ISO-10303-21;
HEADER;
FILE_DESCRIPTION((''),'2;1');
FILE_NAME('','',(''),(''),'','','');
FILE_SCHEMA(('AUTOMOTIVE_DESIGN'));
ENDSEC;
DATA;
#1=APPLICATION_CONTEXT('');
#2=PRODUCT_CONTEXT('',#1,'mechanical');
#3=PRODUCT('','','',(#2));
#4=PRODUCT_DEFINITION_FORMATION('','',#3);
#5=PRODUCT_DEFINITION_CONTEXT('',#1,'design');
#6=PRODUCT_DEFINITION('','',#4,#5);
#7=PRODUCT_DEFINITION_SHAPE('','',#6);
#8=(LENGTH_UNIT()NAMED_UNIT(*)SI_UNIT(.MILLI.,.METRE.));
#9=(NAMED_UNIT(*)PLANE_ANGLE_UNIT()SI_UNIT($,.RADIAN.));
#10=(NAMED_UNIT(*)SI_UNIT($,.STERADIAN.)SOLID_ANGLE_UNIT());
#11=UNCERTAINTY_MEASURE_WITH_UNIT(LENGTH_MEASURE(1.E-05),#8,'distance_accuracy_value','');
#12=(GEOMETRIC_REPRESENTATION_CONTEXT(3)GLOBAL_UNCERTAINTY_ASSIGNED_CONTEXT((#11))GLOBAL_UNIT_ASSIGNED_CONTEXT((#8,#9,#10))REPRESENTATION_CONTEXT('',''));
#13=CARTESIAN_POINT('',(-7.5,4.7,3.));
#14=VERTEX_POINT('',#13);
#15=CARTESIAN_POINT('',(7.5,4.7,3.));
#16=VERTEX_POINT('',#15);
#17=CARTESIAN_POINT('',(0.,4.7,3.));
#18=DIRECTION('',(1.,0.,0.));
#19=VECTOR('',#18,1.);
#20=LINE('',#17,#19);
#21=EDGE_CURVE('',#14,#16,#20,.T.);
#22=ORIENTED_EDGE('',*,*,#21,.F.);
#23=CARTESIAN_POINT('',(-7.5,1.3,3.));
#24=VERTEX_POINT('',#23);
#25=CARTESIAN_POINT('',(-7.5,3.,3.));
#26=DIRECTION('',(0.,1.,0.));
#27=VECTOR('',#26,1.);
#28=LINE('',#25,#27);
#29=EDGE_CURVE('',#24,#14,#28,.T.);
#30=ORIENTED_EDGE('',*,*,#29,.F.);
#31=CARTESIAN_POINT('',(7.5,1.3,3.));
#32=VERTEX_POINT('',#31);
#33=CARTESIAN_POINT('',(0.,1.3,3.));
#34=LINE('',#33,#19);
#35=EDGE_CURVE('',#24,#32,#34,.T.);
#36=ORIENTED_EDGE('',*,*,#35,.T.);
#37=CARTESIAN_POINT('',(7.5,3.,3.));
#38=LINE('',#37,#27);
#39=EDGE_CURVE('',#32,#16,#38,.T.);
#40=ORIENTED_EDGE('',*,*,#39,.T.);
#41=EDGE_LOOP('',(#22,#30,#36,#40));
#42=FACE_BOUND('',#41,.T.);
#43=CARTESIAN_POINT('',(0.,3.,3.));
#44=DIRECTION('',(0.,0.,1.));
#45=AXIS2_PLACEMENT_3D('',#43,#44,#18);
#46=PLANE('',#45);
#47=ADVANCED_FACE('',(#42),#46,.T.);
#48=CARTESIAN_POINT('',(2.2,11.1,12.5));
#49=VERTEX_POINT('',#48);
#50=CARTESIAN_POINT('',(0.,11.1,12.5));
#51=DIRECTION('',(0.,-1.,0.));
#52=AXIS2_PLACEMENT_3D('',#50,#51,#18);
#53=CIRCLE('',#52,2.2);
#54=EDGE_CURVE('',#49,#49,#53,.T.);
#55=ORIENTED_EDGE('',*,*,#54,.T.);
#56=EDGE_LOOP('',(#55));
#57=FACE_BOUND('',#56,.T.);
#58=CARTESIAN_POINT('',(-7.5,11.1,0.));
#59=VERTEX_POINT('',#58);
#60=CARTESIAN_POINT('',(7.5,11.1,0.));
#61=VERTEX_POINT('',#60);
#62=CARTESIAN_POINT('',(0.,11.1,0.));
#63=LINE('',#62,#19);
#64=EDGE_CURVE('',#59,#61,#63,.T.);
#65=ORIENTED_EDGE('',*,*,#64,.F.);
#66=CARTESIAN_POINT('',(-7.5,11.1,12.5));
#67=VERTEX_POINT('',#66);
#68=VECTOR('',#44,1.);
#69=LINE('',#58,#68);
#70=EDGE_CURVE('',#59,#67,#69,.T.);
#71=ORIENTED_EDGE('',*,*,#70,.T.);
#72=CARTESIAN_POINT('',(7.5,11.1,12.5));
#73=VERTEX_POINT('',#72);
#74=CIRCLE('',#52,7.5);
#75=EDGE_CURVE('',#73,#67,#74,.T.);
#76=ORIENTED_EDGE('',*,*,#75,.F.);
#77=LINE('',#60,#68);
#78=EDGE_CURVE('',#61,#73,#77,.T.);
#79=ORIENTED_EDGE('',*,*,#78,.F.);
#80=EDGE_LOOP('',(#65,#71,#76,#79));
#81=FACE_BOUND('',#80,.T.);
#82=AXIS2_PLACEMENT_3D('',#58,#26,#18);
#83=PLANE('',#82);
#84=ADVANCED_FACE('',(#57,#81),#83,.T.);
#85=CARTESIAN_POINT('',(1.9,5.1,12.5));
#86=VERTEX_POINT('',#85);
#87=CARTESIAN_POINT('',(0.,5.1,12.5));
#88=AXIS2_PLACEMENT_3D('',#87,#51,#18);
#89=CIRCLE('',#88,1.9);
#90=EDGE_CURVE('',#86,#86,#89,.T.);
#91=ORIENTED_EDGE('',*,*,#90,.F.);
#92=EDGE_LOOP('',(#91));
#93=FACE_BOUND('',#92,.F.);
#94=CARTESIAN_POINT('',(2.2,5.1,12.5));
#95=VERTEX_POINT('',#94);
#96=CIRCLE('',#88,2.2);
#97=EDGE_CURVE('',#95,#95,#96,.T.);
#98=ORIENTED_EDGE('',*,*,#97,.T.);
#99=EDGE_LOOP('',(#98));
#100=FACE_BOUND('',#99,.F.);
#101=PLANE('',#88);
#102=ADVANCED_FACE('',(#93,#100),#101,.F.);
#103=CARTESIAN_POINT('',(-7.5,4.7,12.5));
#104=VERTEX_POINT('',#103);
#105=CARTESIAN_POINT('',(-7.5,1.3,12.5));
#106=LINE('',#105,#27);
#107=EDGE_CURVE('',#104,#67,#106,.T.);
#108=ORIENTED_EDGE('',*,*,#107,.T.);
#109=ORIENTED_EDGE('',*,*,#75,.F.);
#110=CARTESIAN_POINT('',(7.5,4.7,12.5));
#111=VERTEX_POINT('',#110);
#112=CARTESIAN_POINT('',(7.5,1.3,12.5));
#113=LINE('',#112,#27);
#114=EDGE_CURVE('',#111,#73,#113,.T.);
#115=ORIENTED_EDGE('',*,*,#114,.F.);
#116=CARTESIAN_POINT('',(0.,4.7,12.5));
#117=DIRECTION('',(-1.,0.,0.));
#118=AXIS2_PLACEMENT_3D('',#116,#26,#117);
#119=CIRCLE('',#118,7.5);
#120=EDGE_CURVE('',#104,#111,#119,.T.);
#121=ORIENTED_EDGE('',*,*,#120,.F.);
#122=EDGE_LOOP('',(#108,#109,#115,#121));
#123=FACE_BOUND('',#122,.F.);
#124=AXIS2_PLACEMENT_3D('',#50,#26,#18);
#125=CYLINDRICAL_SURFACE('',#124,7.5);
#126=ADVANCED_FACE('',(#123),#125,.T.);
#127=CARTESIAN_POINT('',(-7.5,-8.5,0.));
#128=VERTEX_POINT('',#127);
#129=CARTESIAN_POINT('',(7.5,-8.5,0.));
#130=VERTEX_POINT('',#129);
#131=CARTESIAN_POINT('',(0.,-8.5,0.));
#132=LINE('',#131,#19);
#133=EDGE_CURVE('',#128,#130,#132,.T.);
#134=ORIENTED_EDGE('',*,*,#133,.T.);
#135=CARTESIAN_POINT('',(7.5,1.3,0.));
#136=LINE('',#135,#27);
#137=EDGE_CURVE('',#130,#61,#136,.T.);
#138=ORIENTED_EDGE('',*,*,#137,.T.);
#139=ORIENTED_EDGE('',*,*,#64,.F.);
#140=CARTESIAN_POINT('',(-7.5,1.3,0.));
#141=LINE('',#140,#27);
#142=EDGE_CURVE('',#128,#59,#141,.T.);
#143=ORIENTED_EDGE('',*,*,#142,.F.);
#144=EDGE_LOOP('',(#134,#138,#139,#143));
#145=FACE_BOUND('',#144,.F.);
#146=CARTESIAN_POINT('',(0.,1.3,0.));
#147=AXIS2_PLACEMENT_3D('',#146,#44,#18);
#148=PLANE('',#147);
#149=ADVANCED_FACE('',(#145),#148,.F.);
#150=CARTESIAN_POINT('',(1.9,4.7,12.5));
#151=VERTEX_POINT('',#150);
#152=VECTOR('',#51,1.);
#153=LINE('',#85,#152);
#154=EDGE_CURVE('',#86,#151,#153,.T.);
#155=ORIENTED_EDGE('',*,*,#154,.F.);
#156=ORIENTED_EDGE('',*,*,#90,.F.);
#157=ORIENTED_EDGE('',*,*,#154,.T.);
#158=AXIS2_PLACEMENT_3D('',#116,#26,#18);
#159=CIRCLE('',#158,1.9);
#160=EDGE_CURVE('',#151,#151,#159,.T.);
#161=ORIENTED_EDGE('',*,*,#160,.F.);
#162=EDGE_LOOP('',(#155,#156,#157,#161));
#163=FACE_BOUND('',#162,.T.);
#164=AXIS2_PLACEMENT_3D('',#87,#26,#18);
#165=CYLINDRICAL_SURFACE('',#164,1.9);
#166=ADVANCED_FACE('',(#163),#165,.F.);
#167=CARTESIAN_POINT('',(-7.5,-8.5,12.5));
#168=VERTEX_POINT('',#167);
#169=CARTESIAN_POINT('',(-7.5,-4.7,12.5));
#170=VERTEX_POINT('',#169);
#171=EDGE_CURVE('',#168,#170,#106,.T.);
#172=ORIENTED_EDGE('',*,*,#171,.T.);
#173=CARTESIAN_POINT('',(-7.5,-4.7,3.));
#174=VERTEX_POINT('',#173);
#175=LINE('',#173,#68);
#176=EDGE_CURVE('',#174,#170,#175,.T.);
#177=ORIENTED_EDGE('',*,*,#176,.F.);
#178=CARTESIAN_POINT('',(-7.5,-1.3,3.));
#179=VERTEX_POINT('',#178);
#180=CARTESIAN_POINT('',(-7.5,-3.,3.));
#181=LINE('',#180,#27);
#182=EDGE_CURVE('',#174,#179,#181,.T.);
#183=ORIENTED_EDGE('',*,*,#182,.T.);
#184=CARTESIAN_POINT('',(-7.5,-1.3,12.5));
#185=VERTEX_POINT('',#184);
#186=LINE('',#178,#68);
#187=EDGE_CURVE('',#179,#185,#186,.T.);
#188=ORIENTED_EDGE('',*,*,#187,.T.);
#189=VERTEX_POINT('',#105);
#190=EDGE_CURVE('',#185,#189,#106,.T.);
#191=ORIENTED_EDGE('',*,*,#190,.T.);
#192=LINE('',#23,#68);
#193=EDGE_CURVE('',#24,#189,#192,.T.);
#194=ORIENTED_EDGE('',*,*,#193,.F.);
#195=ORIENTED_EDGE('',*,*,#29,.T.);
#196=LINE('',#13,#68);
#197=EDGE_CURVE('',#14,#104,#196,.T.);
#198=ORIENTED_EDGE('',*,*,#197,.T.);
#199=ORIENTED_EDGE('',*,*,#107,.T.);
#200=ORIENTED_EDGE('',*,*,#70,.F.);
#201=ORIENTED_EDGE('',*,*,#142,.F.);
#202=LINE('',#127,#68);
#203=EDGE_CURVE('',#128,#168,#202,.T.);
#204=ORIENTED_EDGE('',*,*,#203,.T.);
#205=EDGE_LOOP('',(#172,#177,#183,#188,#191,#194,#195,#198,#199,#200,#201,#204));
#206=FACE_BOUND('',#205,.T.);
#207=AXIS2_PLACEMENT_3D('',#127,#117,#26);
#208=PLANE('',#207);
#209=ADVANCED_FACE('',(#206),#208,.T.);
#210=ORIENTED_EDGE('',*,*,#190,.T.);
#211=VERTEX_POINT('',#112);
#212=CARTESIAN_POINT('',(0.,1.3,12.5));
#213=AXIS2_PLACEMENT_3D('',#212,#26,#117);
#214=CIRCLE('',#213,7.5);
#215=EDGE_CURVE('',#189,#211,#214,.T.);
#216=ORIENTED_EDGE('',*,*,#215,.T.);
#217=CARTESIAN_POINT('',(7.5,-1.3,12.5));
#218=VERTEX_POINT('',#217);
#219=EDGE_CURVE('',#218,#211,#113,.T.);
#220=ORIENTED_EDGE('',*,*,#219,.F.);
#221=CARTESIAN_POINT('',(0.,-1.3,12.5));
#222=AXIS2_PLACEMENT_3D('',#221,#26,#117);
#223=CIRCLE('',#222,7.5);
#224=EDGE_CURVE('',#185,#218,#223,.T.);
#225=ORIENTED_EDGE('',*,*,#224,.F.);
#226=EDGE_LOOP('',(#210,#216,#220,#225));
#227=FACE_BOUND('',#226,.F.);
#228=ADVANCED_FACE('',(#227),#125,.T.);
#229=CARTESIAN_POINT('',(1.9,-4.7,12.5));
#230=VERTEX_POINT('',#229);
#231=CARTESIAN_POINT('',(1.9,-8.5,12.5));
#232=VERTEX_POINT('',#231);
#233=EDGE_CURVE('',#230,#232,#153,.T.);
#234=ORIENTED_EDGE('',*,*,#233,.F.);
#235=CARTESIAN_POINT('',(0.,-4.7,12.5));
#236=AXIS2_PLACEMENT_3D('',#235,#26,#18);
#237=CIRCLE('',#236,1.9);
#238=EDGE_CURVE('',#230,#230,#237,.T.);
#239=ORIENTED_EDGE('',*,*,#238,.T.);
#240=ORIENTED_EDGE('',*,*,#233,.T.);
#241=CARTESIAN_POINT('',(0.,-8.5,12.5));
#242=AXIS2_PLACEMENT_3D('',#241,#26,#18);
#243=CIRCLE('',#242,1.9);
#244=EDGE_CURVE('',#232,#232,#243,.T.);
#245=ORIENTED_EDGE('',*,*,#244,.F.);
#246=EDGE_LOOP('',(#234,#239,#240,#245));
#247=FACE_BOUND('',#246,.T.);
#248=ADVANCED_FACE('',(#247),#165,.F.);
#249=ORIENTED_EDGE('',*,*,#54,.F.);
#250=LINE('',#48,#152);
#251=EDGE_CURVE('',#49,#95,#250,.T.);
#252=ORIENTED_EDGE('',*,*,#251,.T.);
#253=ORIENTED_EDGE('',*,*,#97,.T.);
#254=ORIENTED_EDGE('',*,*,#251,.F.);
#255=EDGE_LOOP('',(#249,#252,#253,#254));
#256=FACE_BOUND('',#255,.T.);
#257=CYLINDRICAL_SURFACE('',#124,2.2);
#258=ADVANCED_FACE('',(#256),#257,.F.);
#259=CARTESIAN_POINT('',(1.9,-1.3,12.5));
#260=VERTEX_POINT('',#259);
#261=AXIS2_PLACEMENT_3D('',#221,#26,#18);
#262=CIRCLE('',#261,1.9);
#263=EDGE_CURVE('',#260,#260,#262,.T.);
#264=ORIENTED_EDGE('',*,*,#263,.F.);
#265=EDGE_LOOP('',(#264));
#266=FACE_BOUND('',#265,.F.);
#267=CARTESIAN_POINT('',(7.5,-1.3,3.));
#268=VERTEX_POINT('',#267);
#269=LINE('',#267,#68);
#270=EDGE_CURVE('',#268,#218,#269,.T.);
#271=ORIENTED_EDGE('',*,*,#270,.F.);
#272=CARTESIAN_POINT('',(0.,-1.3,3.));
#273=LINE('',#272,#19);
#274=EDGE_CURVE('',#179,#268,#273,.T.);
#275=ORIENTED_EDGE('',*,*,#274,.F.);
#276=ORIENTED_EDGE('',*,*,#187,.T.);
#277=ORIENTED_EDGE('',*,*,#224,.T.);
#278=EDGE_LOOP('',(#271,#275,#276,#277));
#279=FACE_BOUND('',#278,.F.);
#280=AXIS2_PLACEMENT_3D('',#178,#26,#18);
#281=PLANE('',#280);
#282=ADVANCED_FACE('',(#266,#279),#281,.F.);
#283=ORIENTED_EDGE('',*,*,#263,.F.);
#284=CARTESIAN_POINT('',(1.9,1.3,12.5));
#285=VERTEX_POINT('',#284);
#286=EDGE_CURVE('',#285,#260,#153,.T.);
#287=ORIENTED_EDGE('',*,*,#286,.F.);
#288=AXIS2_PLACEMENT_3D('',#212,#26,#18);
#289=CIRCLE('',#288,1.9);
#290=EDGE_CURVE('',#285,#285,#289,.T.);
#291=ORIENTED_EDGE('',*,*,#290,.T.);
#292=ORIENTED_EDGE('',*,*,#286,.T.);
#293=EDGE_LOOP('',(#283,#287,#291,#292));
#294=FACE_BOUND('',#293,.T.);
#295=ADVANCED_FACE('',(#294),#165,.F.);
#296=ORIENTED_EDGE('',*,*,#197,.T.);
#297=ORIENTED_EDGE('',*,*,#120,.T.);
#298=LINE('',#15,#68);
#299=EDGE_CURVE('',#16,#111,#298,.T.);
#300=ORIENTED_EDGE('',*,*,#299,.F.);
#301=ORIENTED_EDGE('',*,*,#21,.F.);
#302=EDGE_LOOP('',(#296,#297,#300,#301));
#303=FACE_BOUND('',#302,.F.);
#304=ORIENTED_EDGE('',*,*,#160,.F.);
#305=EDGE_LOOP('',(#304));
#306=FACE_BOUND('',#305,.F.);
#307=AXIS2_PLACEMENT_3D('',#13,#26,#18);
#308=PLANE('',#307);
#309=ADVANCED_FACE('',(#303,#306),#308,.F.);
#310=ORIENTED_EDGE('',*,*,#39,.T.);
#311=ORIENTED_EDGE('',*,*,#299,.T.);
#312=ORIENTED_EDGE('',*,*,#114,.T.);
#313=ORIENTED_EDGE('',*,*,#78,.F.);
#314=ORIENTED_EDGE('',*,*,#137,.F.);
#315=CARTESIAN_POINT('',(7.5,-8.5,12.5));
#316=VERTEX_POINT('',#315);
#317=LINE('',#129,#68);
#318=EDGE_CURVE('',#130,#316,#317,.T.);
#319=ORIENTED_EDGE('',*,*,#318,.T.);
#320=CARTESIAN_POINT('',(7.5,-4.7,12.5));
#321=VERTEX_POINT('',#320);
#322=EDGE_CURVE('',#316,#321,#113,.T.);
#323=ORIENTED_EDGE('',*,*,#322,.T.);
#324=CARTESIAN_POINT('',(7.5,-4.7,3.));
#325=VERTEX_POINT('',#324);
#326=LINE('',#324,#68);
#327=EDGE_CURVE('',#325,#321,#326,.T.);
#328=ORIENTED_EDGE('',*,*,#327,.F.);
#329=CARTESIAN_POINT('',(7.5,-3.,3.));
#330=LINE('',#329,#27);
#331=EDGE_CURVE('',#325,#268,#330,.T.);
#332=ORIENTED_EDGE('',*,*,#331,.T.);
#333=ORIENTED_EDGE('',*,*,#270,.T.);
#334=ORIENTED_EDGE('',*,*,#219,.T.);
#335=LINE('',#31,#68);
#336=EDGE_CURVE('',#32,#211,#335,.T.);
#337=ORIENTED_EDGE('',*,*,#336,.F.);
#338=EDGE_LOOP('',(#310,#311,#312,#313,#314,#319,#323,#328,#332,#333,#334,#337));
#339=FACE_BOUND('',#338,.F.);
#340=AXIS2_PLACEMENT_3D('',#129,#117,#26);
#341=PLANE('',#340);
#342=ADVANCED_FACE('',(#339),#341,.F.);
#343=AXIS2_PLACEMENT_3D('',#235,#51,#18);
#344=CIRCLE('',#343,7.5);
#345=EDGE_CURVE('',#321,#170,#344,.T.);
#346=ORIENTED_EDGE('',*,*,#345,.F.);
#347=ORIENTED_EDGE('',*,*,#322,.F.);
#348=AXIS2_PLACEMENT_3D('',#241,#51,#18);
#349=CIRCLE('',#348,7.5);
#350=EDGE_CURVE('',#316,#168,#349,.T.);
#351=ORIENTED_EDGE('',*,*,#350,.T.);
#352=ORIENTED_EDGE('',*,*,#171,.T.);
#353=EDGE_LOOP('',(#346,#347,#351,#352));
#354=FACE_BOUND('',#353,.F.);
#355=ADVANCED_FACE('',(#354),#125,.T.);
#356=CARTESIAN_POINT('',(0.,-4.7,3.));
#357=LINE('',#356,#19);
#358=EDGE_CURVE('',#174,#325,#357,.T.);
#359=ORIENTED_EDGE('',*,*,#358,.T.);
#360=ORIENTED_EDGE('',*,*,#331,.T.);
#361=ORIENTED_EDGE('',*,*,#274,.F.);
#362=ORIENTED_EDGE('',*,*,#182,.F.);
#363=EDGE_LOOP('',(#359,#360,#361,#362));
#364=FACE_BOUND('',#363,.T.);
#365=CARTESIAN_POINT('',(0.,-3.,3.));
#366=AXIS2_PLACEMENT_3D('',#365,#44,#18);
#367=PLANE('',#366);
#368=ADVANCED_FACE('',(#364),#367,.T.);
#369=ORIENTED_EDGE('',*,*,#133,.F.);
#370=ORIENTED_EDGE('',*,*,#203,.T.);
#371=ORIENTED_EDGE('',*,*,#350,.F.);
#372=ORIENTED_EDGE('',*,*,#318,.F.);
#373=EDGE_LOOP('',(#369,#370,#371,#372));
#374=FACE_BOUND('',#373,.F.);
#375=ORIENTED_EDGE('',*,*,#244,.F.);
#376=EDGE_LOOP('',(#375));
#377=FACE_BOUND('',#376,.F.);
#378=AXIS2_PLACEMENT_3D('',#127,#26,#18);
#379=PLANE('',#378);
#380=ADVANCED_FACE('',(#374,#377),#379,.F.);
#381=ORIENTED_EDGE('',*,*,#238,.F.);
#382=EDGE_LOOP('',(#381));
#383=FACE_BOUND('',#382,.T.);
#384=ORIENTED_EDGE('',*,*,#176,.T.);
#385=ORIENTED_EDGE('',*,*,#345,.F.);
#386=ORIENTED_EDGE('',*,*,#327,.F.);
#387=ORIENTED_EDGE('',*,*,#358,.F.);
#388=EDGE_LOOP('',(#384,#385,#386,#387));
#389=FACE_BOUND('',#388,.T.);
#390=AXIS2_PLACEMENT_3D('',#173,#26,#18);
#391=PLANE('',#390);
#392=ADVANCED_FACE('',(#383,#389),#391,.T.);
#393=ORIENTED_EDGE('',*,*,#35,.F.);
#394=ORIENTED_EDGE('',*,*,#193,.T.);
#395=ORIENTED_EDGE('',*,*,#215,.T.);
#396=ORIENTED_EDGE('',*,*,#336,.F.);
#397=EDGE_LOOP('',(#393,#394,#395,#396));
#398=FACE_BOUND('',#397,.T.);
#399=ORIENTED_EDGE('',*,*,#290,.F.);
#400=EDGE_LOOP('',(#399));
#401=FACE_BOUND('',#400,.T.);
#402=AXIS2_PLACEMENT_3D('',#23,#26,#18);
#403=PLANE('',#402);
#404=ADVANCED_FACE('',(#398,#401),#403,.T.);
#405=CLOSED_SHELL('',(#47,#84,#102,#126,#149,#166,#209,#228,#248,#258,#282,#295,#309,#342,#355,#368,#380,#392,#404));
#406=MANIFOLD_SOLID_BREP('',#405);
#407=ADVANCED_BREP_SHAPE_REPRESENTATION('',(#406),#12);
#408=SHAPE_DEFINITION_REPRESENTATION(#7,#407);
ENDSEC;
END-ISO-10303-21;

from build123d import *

# Parameters (mm, degrees)
BOX003_W                  = 15
BOX003_H                  = 3.4
BOX003_DEPTH              = 17
ARRAY_Y_COUNT             = 2
ARRAY_Y_PITCH             = 6
CYLINDER002_R             = 2.2
CYLINDER002_DEPTH         = 6
CYLINDER001_R             = 1.9
CYLINDER001_DEPTH         = 15
FUSION001_PLACEMENT_ANGLE = 90
CYLINDER_R                = 7.5
CYLINDER_DEPTH            = 19.6
BOX002_W                  = 15
BOX002_H                  = 19.6
BOX002_DEPTH              = 12.5


with BuildPart() as side_3_extract_cube_array:
    # Box003 → Box003 (new body)
    with BuildSketch(Plane(origin=(-7.5, -7.7, 3), x_dir=(1, 0, 0), z_dir=(0, 0, 1))):
        with Locations((7.5, 1.7)):
            Rectangle(BOX003_W, BOX003_H)
    extrude(amount=BOX003_DEPTH)

    # Array Y: side 3 extract cube array ×2


with BuildPart() as side_3_extract_cube_array_1:
    add(side_3_extract_cube_array.part)
    with Locations(*[(0, i * ARRAY_Y_PITCH, 0) for i in range(1, ARRAY_Y_COUNT)]):
        add(side_3_extract_cube_array.part)


with BuildPart() as side_3_extract_cube_array_2:
    # Array placement: moved
    add(side_3_extract_cube_array_1.part.moved(Location((0, 3, 0))))


with BuildPart() as insert_hole:
    # Cylinder002 → Cylinder002 (new body)
    with BuildSketch(Plane.XY):
        Circle(CYLINDER002_R)
    extrude(amount=CYLINDER002_DEPTH)


with BuildPart() as side_3_extract_fusion:
    # Cylinder001 → Cylinder001 (new body)
    with BuildSketch(Plane.XY.offset(6)):
        Circle(CYLINDER001_R)
    extrude(amount=CYLINDER001_DEPTH)

    # Fusion001: union insert hole
    add(insert_hole.part)


with BuildPart() as side_3_extract_fusion_1:
    # Fusion001 placement: moved
    add(side_3_extract_fusion.part.moved(Location((0, 11.1, 12.5))).rotate(Axis((0, 11.1, 12.5), (1, 0, 0)), FUSION001_PLACEMENT_ANGLE))

    # Fusion002: union side 3 extract cube array
    add(side_3_extract_cube_array_2.part)


with BuildPart() as outer_cylinder:
    # Cylinder → Cylinder (new body)
    with BuildSketch(Plane(origin=(0, 11.1, 12.5), x_dir=(1, 0, 0), z_dir=(0, -1, 0))):
        Circle(CYLINDER_R)
    extrude(amount=CYLINDER_DEPTH)


with BuildPart() as side_3_cut_clone:
    # Box002 → Box002 (new body)
    with BuildSketch(Plane(origin=(-7.5, -8.5, 0), x_dir=(1, 0, 0), z_dir=(0, 0, 1))):
        with Locations((7.5, 9.8)):
            Rectangle(BOX002_W, BOX002_H)
    extrude(amount=BOX002_DEPTH)

    # Fusion: union outer cylinder
    add(outer_cylinder.part)

    # Cut: cut side 3 extract fusion
    add(side_3_extract_fusion_1.part, mode=Mode.SUBTRACT)


solid = side_3_cut_clone.part
